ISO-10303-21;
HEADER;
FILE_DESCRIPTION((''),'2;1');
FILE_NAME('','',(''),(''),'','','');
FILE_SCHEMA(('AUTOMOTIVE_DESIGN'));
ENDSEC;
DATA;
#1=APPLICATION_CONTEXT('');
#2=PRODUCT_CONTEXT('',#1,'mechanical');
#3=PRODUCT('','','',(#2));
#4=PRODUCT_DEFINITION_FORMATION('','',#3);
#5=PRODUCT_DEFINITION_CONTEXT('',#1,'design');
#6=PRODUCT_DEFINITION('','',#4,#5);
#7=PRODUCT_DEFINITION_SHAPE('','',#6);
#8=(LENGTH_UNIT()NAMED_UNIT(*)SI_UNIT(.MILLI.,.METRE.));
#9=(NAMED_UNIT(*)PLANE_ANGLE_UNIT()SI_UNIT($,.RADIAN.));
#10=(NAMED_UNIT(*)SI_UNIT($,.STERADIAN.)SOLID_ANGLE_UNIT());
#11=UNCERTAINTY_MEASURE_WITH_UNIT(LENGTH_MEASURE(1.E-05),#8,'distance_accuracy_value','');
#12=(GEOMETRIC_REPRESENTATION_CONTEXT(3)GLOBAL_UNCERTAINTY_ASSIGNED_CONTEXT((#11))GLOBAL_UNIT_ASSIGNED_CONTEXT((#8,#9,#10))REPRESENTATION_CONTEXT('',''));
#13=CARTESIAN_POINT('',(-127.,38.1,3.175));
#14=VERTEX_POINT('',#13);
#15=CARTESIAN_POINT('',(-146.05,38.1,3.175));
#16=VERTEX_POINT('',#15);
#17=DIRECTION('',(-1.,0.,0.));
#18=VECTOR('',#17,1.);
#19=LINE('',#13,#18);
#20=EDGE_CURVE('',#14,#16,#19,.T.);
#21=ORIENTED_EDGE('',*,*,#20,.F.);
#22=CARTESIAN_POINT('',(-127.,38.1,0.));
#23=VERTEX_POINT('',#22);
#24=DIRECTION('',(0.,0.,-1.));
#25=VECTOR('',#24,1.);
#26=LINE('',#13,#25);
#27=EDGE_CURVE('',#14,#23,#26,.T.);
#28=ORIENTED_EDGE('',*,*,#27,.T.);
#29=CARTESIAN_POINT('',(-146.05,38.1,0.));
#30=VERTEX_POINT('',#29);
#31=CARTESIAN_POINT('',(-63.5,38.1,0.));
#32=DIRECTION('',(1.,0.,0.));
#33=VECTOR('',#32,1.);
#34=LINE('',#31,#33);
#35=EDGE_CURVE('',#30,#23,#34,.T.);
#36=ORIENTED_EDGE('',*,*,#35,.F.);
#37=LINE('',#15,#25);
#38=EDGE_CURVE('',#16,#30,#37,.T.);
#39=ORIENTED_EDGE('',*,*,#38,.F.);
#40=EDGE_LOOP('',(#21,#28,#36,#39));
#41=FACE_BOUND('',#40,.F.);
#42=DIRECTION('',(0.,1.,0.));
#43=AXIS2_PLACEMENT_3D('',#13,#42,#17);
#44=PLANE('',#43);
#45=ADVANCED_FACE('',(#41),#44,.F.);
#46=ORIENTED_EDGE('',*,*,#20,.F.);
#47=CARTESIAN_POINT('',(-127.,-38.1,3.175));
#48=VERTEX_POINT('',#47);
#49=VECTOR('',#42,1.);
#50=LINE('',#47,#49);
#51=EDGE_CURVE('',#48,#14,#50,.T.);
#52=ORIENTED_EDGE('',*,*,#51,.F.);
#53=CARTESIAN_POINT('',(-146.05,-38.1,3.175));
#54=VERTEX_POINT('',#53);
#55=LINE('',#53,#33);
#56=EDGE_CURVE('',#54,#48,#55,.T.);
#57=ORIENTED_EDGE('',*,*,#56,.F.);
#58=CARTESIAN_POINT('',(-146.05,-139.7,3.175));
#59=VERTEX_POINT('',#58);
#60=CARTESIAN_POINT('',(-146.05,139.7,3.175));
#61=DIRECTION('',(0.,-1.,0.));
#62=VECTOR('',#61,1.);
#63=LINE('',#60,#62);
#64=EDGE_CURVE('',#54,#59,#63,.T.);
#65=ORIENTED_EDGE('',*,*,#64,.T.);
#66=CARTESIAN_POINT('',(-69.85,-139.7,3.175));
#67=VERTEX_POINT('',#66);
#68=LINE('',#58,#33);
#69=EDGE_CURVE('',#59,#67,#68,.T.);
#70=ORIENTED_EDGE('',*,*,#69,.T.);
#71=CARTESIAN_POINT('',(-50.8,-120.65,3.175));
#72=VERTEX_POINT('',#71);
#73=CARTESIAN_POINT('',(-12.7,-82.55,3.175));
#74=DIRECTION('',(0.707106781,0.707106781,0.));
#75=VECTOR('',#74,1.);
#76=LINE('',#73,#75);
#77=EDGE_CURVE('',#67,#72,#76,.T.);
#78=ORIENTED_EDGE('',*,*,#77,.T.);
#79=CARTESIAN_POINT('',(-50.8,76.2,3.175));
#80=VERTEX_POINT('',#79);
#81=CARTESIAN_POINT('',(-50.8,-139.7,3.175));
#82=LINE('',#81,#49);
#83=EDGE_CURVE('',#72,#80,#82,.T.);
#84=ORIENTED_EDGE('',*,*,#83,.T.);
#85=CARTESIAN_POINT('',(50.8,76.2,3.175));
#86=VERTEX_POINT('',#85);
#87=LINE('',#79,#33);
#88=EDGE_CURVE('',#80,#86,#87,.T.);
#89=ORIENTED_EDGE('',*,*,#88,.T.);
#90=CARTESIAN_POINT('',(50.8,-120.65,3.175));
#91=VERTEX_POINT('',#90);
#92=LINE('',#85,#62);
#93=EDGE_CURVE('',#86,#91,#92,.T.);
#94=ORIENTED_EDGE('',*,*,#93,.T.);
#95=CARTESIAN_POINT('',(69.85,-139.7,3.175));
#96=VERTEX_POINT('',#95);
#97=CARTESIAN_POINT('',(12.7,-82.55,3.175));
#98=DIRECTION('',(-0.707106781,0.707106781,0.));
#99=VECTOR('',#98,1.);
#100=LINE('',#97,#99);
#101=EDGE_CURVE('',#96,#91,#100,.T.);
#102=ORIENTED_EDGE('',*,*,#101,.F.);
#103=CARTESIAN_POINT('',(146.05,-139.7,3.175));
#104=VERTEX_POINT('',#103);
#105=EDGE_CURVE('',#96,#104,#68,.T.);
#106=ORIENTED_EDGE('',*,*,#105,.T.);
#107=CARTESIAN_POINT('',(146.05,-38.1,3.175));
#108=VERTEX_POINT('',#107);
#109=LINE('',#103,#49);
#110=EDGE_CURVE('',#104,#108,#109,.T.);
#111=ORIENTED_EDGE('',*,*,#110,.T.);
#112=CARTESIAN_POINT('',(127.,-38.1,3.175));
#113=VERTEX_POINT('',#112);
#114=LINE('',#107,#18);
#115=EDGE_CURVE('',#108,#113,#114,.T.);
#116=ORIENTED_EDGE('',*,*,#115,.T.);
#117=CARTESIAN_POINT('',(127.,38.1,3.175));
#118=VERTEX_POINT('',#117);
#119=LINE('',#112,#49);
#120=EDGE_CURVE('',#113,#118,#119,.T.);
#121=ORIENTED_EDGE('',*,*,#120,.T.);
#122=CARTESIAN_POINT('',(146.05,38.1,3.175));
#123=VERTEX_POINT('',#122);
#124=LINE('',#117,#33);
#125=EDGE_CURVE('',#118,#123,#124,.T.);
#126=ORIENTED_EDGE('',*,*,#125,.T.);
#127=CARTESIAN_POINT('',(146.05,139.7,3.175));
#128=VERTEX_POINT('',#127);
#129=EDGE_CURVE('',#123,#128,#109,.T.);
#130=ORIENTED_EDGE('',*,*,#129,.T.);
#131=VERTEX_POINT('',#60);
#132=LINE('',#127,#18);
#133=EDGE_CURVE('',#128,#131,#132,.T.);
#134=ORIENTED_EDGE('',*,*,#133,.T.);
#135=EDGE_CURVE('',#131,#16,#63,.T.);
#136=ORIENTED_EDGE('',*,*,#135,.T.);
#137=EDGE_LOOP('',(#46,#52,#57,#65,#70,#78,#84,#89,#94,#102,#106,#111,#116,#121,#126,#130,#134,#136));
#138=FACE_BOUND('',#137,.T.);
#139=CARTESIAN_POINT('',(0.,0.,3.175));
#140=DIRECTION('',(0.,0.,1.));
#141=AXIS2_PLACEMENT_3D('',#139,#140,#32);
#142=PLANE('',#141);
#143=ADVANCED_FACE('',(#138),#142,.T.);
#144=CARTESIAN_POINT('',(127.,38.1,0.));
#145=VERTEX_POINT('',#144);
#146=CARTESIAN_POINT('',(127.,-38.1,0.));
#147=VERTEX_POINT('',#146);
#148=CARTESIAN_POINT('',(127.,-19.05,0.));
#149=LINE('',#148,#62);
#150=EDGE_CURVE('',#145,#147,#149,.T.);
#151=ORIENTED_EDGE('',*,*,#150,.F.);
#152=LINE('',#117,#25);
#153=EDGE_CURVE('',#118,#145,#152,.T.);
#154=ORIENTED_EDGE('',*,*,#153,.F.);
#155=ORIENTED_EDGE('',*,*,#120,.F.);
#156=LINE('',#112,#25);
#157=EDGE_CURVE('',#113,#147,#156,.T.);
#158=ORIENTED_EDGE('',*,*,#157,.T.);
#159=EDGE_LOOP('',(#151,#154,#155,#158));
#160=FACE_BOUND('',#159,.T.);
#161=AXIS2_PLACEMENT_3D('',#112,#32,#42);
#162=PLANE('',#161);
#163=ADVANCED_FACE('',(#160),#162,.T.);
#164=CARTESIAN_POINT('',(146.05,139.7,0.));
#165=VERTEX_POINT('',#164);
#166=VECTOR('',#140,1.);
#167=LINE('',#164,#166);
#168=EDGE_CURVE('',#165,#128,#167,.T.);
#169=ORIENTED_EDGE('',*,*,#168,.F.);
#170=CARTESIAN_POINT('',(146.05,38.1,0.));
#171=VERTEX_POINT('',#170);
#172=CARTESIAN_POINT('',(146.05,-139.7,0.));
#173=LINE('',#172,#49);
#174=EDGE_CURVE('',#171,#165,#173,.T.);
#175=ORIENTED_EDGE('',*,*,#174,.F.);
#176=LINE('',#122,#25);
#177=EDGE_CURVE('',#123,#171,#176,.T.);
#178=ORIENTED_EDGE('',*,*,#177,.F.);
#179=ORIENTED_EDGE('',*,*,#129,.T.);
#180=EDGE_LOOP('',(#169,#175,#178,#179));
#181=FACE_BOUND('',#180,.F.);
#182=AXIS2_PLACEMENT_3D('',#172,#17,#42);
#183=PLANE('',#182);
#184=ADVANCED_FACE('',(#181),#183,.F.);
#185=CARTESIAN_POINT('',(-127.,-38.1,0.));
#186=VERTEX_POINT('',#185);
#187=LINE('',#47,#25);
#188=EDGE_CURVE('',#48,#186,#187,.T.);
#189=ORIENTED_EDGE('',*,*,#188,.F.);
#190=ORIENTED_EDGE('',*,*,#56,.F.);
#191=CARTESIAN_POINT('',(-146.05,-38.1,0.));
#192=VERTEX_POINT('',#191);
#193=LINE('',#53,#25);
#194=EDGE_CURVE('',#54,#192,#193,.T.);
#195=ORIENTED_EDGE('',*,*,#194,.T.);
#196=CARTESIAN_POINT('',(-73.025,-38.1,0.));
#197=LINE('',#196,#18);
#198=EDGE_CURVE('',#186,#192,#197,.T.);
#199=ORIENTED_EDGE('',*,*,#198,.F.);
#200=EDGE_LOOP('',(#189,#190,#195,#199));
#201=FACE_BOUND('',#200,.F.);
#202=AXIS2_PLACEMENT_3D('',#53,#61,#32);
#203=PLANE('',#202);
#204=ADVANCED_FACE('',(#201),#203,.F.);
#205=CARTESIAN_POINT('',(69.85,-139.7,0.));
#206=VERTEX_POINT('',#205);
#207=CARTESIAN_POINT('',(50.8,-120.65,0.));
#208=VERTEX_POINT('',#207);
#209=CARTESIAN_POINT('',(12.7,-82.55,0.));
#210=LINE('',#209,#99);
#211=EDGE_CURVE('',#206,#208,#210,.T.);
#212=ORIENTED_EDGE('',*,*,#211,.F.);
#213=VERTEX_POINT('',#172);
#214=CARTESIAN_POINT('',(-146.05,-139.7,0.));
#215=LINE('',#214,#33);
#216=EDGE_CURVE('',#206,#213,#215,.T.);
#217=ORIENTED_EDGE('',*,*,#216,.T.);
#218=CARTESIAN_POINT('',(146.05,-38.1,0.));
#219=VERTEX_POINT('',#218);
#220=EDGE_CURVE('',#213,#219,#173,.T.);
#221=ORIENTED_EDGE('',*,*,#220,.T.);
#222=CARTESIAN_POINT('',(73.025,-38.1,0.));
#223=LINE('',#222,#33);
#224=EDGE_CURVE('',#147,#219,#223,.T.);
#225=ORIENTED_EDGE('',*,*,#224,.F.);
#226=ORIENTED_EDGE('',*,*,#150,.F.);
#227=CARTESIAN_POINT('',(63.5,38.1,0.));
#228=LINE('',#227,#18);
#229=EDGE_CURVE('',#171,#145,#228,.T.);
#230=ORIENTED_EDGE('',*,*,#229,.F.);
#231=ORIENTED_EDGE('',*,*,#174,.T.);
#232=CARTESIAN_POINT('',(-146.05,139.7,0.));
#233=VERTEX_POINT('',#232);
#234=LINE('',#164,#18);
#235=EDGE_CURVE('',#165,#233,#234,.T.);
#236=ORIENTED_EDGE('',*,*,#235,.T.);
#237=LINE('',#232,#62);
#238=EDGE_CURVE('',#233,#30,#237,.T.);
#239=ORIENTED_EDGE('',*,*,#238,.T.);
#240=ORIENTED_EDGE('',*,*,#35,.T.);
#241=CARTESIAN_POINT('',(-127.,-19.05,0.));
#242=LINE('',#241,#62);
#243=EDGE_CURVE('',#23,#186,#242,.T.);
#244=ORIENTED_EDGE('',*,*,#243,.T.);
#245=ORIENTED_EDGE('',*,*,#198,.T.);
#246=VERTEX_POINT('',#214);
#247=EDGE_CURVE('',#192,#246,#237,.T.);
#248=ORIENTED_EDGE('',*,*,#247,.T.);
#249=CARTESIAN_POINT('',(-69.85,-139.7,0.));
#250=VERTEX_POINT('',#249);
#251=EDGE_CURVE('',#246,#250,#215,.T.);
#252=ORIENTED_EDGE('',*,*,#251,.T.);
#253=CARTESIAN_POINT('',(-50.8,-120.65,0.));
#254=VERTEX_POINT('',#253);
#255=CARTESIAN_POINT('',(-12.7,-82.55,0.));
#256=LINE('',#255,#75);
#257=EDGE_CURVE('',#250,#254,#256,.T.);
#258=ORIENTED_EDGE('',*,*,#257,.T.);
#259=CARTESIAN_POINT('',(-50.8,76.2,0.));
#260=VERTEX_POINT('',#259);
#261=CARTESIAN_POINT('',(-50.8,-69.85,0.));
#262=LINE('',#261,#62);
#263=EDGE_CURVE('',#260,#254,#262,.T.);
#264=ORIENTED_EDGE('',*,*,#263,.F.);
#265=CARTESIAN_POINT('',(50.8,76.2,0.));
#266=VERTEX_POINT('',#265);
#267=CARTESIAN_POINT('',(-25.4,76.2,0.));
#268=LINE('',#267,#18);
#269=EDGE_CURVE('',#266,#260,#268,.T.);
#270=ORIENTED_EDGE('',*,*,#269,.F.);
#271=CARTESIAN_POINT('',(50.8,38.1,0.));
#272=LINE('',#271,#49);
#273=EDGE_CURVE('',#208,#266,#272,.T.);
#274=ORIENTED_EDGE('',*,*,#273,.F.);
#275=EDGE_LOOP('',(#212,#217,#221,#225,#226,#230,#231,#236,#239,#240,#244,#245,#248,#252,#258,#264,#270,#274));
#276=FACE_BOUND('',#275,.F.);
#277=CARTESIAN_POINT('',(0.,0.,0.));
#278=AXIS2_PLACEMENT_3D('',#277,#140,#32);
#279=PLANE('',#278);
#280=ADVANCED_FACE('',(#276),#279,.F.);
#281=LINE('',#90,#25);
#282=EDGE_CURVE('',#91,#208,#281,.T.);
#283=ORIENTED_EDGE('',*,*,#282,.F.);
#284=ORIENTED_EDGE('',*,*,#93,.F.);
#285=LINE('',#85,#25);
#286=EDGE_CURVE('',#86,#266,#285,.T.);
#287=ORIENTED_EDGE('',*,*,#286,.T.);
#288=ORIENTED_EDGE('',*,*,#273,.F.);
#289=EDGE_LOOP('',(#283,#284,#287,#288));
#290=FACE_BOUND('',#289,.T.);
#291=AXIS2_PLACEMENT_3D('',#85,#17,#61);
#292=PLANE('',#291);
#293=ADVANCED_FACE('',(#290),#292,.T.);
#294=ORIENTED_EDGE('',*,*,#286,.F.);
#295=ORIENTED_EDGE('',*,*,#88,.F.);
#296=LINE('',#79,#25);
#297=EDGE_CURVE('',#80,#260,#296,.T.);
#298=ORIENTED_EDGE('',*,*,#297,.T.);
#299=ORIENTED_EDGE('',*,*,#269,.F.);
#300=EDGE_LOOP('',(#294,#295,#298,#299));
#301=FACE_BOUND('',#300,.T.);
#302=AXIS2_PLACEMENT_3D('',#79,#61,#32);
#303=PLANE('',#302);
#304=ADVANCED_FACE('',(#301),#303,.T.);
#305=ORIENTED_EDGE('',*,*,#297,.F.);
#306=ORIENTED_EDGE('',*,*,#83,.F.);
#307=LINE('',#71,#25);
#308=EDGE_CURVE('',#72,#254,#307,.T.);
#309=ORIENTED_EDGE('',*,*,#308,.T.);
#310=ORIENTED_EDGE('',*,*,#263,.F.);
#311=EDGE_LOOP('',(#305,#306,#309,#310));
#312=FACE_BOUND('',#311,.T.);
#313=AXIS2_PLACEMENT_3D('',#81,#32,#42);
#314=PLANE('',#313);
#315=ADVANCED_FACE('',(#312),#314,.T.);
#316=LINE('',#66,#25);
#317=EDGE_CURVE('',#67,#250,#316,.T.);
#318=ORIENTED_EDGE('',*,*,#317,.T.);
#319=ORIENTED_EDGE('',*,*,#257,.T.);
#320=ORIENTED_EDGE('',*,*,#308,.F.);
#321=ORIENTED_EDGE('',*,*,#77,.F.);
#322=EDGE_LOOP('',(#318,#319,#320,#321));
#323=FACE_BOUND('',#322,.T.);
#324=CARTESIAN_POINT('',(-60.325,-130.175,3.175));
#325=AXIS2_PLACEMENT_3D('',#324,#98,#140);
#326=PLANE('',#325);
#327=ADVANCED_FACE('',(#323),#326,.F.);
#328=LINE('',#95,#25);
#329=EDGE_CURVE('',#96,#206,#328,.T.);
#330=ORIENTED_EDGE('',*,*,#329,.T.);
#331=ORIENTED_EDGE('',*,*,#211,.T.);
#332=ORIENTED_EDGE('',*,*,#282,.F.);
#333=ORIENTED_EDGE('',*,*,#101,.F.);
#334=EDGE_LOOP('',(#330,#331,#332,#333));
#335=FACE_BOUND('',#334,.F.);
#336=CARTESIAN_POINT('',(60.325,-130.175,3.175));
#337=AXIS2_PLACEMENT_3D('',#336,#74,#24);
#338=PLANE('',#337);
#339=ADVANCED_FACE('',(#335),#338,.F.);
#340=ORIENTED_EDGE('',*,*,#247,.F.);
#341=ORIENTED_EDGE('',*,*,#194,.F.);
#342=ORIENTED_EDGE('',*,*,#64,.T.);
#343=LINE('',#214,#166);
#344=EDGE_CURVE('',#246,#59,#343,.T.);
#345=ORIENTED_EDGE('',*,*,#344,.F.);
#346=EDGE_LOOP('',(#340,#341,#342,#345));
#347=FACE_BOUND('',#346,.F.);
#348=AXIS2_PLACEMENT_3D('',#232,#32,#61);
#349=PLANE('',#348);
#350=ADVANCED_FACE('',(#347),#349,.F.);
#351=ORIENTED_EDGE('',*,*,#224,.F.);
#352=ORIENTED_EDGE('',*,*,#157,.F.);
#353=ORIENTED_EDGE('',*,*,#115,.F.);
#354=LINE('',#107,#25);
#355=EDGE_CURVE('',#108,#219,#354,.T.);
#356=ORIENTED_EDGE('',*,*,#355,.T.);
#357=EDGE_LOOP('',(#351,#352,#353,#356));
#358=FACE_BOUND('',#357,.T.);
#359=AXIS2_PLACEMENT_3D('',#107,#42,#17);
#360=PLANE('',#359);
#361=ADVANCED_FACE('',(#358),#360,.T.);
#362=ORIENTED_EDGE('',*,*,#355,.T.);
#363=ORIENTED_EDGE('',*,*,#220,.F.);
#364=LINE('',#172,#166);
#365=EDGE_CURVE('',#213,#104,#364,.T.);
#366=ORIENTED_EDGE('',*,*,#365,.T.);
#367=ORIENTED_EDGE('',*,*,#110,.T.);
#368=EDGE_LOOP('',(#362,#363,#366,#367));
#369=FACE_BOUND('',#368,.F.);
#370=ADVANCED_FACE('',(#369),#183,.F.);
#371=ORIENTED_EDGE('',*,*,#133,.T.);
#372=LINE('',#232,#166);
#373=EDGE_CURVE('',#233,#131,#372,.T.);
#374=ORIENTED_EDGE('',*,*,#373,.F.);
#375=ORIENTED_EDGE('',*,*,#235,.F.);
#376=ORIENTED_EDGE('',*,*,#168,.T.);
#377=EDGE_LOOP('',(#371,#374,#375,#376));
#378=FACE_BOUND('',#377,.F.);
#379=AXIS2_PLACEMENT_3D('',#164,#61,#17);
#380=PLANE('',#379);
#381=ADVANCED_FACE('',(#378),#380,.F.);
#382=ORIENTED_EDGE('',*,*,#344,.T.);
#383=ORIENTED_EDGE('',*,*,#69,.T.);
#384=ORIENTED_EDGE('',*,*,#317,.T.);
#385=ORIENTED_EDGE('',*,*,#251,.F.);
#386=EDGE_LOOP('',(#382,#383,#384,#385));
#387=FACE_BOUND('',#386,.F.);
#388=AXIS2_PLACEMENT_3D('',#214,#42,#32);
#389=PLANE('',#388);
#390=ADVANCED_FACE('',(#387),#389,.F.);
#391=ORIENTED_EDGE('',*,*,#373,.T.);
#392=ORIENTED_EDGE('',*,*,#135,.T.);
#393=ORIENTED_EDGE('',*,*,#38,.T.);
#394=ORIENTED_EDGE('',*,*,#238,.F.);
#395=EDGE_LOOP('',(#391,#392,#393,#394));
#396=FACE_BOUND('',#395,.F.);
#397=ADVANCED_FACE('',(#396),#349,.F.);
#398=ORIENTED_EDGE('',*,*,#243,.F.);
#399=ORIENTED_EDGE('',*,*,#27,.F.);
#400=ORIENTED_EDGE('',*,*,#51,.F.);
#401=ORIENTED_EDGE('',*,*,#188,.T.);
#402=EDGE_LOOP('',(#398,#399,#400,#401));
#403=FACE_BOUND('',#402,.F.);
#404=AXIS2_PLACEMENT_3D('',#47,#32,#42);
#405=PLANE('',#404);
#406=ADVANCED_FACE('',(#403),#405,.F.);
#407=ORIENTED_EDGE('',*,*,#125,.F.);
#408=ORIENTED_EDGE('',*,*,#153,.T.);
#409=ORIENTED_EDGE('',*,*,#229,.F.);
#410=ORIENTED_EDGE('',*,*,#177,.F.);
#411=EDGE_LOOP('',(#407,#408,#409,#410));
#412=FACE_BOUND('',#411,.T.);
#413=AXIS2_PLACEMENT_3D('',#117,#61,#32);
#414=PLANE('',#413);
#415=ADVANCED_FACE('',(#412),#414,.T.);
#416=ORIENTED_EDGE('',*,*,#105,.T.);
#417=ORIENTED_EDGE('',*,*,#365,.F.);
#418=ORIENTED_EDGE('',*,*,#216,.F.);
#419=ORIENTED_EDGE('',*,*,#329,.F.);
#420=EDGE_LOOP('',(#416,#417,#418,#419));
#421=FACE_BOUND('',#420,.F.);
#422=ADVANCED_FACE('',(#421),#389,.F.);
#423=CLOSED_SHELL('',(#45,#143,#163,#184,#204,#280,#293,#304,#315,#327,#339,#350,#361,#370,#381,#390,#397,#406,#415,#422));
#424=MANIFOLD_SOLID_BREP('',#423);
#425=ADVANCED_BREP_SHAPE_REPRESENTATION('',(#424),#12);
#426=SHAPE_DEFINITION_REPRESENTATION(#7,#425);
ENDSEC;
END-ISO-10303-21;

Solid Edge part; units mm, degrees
sketch "Sketch1" plane through (0, 0, 0) normal (0, 0, 1) x (1, 0, 0)
  line L0 (-146.05, 139.7) -> (-146.05, -139.7)
  line L1 (-146.05, -139.7) -> (146.05, -139.7)
  line L2 (146.05, -139.7) -> (146.05, 139.7)
  line L3 (146.05, 139.7) -> (-146.05, 139.7)
  dimension "D1" = 292.1
  dimension "D2" = 279.4
extrude "Protrusion1" add sketch "Sketch1" along normal blind 3.175
sketch "Sketch2" plane through (0, 0, 3.175) normal (0, 0, 1) x (1, 0, 0)
  line L0 (-50.8, -139.7) -> (-50.8, 76.2)
  line L1 (-50.8, 76.2) -> (50.8, 76.2)
  line L2 (50.8, 76.2) -> (50.8, -139.7)
  line L3 (50.8, -139.7) -> (-50.8, -139.7)
  dimension "D1" = 215.9
  dimension "D2" = 101.6
extrude "Cutout1" cut sketch "Sketch2" against normal up to next
chamfer "Chamfer_1" distance 19.05 angle 45 2 edges at (-50.8, -139.7, 1.5875) (50.8, -139.7, 1.5875)
sketch "Sketch3" plane through (0, 0, 3.175) normal (0, 0, 1) x (1, 0, 0)
  line L0 (-146.05, 38.1) -> (-146.05, -38.1)
  line L1 (-146.05, -38.1) -> (-127, -38.1)
  line L2 (-127, -38.1) -> (-127, 38.1)
  line L3 (-127, 38.1) -> (-146.05, 38.1)
  dimension "D1" = 19.05
  dimension "D2" = 76.2
  dimension "D3" = 101.6
extrude "Cutout2" cut sketch "Sketch3" against normal up to next
sketch "Sketch4" plane through (0, 0, 3.175) normal (0, 0, 1) x (1, 0, 0)
  line L0 (146.05, 38.1) -> (146.05, -38.1)
  line L1 (146.05, -38.1) -> (127, -38.1)
  line L2 (127, -38.1) -> (127, 38.1)
  line L3 (127, 38.1) -> (146.05, 38.1)
  dimension "D1" = 19.05
  dimension "D2" = 76.2
  dimension "D3" = 101.6
extrude "Cutout3" cut sketch "Sketch4" against normal up to next
properties part number "SPaRC-01-005"
